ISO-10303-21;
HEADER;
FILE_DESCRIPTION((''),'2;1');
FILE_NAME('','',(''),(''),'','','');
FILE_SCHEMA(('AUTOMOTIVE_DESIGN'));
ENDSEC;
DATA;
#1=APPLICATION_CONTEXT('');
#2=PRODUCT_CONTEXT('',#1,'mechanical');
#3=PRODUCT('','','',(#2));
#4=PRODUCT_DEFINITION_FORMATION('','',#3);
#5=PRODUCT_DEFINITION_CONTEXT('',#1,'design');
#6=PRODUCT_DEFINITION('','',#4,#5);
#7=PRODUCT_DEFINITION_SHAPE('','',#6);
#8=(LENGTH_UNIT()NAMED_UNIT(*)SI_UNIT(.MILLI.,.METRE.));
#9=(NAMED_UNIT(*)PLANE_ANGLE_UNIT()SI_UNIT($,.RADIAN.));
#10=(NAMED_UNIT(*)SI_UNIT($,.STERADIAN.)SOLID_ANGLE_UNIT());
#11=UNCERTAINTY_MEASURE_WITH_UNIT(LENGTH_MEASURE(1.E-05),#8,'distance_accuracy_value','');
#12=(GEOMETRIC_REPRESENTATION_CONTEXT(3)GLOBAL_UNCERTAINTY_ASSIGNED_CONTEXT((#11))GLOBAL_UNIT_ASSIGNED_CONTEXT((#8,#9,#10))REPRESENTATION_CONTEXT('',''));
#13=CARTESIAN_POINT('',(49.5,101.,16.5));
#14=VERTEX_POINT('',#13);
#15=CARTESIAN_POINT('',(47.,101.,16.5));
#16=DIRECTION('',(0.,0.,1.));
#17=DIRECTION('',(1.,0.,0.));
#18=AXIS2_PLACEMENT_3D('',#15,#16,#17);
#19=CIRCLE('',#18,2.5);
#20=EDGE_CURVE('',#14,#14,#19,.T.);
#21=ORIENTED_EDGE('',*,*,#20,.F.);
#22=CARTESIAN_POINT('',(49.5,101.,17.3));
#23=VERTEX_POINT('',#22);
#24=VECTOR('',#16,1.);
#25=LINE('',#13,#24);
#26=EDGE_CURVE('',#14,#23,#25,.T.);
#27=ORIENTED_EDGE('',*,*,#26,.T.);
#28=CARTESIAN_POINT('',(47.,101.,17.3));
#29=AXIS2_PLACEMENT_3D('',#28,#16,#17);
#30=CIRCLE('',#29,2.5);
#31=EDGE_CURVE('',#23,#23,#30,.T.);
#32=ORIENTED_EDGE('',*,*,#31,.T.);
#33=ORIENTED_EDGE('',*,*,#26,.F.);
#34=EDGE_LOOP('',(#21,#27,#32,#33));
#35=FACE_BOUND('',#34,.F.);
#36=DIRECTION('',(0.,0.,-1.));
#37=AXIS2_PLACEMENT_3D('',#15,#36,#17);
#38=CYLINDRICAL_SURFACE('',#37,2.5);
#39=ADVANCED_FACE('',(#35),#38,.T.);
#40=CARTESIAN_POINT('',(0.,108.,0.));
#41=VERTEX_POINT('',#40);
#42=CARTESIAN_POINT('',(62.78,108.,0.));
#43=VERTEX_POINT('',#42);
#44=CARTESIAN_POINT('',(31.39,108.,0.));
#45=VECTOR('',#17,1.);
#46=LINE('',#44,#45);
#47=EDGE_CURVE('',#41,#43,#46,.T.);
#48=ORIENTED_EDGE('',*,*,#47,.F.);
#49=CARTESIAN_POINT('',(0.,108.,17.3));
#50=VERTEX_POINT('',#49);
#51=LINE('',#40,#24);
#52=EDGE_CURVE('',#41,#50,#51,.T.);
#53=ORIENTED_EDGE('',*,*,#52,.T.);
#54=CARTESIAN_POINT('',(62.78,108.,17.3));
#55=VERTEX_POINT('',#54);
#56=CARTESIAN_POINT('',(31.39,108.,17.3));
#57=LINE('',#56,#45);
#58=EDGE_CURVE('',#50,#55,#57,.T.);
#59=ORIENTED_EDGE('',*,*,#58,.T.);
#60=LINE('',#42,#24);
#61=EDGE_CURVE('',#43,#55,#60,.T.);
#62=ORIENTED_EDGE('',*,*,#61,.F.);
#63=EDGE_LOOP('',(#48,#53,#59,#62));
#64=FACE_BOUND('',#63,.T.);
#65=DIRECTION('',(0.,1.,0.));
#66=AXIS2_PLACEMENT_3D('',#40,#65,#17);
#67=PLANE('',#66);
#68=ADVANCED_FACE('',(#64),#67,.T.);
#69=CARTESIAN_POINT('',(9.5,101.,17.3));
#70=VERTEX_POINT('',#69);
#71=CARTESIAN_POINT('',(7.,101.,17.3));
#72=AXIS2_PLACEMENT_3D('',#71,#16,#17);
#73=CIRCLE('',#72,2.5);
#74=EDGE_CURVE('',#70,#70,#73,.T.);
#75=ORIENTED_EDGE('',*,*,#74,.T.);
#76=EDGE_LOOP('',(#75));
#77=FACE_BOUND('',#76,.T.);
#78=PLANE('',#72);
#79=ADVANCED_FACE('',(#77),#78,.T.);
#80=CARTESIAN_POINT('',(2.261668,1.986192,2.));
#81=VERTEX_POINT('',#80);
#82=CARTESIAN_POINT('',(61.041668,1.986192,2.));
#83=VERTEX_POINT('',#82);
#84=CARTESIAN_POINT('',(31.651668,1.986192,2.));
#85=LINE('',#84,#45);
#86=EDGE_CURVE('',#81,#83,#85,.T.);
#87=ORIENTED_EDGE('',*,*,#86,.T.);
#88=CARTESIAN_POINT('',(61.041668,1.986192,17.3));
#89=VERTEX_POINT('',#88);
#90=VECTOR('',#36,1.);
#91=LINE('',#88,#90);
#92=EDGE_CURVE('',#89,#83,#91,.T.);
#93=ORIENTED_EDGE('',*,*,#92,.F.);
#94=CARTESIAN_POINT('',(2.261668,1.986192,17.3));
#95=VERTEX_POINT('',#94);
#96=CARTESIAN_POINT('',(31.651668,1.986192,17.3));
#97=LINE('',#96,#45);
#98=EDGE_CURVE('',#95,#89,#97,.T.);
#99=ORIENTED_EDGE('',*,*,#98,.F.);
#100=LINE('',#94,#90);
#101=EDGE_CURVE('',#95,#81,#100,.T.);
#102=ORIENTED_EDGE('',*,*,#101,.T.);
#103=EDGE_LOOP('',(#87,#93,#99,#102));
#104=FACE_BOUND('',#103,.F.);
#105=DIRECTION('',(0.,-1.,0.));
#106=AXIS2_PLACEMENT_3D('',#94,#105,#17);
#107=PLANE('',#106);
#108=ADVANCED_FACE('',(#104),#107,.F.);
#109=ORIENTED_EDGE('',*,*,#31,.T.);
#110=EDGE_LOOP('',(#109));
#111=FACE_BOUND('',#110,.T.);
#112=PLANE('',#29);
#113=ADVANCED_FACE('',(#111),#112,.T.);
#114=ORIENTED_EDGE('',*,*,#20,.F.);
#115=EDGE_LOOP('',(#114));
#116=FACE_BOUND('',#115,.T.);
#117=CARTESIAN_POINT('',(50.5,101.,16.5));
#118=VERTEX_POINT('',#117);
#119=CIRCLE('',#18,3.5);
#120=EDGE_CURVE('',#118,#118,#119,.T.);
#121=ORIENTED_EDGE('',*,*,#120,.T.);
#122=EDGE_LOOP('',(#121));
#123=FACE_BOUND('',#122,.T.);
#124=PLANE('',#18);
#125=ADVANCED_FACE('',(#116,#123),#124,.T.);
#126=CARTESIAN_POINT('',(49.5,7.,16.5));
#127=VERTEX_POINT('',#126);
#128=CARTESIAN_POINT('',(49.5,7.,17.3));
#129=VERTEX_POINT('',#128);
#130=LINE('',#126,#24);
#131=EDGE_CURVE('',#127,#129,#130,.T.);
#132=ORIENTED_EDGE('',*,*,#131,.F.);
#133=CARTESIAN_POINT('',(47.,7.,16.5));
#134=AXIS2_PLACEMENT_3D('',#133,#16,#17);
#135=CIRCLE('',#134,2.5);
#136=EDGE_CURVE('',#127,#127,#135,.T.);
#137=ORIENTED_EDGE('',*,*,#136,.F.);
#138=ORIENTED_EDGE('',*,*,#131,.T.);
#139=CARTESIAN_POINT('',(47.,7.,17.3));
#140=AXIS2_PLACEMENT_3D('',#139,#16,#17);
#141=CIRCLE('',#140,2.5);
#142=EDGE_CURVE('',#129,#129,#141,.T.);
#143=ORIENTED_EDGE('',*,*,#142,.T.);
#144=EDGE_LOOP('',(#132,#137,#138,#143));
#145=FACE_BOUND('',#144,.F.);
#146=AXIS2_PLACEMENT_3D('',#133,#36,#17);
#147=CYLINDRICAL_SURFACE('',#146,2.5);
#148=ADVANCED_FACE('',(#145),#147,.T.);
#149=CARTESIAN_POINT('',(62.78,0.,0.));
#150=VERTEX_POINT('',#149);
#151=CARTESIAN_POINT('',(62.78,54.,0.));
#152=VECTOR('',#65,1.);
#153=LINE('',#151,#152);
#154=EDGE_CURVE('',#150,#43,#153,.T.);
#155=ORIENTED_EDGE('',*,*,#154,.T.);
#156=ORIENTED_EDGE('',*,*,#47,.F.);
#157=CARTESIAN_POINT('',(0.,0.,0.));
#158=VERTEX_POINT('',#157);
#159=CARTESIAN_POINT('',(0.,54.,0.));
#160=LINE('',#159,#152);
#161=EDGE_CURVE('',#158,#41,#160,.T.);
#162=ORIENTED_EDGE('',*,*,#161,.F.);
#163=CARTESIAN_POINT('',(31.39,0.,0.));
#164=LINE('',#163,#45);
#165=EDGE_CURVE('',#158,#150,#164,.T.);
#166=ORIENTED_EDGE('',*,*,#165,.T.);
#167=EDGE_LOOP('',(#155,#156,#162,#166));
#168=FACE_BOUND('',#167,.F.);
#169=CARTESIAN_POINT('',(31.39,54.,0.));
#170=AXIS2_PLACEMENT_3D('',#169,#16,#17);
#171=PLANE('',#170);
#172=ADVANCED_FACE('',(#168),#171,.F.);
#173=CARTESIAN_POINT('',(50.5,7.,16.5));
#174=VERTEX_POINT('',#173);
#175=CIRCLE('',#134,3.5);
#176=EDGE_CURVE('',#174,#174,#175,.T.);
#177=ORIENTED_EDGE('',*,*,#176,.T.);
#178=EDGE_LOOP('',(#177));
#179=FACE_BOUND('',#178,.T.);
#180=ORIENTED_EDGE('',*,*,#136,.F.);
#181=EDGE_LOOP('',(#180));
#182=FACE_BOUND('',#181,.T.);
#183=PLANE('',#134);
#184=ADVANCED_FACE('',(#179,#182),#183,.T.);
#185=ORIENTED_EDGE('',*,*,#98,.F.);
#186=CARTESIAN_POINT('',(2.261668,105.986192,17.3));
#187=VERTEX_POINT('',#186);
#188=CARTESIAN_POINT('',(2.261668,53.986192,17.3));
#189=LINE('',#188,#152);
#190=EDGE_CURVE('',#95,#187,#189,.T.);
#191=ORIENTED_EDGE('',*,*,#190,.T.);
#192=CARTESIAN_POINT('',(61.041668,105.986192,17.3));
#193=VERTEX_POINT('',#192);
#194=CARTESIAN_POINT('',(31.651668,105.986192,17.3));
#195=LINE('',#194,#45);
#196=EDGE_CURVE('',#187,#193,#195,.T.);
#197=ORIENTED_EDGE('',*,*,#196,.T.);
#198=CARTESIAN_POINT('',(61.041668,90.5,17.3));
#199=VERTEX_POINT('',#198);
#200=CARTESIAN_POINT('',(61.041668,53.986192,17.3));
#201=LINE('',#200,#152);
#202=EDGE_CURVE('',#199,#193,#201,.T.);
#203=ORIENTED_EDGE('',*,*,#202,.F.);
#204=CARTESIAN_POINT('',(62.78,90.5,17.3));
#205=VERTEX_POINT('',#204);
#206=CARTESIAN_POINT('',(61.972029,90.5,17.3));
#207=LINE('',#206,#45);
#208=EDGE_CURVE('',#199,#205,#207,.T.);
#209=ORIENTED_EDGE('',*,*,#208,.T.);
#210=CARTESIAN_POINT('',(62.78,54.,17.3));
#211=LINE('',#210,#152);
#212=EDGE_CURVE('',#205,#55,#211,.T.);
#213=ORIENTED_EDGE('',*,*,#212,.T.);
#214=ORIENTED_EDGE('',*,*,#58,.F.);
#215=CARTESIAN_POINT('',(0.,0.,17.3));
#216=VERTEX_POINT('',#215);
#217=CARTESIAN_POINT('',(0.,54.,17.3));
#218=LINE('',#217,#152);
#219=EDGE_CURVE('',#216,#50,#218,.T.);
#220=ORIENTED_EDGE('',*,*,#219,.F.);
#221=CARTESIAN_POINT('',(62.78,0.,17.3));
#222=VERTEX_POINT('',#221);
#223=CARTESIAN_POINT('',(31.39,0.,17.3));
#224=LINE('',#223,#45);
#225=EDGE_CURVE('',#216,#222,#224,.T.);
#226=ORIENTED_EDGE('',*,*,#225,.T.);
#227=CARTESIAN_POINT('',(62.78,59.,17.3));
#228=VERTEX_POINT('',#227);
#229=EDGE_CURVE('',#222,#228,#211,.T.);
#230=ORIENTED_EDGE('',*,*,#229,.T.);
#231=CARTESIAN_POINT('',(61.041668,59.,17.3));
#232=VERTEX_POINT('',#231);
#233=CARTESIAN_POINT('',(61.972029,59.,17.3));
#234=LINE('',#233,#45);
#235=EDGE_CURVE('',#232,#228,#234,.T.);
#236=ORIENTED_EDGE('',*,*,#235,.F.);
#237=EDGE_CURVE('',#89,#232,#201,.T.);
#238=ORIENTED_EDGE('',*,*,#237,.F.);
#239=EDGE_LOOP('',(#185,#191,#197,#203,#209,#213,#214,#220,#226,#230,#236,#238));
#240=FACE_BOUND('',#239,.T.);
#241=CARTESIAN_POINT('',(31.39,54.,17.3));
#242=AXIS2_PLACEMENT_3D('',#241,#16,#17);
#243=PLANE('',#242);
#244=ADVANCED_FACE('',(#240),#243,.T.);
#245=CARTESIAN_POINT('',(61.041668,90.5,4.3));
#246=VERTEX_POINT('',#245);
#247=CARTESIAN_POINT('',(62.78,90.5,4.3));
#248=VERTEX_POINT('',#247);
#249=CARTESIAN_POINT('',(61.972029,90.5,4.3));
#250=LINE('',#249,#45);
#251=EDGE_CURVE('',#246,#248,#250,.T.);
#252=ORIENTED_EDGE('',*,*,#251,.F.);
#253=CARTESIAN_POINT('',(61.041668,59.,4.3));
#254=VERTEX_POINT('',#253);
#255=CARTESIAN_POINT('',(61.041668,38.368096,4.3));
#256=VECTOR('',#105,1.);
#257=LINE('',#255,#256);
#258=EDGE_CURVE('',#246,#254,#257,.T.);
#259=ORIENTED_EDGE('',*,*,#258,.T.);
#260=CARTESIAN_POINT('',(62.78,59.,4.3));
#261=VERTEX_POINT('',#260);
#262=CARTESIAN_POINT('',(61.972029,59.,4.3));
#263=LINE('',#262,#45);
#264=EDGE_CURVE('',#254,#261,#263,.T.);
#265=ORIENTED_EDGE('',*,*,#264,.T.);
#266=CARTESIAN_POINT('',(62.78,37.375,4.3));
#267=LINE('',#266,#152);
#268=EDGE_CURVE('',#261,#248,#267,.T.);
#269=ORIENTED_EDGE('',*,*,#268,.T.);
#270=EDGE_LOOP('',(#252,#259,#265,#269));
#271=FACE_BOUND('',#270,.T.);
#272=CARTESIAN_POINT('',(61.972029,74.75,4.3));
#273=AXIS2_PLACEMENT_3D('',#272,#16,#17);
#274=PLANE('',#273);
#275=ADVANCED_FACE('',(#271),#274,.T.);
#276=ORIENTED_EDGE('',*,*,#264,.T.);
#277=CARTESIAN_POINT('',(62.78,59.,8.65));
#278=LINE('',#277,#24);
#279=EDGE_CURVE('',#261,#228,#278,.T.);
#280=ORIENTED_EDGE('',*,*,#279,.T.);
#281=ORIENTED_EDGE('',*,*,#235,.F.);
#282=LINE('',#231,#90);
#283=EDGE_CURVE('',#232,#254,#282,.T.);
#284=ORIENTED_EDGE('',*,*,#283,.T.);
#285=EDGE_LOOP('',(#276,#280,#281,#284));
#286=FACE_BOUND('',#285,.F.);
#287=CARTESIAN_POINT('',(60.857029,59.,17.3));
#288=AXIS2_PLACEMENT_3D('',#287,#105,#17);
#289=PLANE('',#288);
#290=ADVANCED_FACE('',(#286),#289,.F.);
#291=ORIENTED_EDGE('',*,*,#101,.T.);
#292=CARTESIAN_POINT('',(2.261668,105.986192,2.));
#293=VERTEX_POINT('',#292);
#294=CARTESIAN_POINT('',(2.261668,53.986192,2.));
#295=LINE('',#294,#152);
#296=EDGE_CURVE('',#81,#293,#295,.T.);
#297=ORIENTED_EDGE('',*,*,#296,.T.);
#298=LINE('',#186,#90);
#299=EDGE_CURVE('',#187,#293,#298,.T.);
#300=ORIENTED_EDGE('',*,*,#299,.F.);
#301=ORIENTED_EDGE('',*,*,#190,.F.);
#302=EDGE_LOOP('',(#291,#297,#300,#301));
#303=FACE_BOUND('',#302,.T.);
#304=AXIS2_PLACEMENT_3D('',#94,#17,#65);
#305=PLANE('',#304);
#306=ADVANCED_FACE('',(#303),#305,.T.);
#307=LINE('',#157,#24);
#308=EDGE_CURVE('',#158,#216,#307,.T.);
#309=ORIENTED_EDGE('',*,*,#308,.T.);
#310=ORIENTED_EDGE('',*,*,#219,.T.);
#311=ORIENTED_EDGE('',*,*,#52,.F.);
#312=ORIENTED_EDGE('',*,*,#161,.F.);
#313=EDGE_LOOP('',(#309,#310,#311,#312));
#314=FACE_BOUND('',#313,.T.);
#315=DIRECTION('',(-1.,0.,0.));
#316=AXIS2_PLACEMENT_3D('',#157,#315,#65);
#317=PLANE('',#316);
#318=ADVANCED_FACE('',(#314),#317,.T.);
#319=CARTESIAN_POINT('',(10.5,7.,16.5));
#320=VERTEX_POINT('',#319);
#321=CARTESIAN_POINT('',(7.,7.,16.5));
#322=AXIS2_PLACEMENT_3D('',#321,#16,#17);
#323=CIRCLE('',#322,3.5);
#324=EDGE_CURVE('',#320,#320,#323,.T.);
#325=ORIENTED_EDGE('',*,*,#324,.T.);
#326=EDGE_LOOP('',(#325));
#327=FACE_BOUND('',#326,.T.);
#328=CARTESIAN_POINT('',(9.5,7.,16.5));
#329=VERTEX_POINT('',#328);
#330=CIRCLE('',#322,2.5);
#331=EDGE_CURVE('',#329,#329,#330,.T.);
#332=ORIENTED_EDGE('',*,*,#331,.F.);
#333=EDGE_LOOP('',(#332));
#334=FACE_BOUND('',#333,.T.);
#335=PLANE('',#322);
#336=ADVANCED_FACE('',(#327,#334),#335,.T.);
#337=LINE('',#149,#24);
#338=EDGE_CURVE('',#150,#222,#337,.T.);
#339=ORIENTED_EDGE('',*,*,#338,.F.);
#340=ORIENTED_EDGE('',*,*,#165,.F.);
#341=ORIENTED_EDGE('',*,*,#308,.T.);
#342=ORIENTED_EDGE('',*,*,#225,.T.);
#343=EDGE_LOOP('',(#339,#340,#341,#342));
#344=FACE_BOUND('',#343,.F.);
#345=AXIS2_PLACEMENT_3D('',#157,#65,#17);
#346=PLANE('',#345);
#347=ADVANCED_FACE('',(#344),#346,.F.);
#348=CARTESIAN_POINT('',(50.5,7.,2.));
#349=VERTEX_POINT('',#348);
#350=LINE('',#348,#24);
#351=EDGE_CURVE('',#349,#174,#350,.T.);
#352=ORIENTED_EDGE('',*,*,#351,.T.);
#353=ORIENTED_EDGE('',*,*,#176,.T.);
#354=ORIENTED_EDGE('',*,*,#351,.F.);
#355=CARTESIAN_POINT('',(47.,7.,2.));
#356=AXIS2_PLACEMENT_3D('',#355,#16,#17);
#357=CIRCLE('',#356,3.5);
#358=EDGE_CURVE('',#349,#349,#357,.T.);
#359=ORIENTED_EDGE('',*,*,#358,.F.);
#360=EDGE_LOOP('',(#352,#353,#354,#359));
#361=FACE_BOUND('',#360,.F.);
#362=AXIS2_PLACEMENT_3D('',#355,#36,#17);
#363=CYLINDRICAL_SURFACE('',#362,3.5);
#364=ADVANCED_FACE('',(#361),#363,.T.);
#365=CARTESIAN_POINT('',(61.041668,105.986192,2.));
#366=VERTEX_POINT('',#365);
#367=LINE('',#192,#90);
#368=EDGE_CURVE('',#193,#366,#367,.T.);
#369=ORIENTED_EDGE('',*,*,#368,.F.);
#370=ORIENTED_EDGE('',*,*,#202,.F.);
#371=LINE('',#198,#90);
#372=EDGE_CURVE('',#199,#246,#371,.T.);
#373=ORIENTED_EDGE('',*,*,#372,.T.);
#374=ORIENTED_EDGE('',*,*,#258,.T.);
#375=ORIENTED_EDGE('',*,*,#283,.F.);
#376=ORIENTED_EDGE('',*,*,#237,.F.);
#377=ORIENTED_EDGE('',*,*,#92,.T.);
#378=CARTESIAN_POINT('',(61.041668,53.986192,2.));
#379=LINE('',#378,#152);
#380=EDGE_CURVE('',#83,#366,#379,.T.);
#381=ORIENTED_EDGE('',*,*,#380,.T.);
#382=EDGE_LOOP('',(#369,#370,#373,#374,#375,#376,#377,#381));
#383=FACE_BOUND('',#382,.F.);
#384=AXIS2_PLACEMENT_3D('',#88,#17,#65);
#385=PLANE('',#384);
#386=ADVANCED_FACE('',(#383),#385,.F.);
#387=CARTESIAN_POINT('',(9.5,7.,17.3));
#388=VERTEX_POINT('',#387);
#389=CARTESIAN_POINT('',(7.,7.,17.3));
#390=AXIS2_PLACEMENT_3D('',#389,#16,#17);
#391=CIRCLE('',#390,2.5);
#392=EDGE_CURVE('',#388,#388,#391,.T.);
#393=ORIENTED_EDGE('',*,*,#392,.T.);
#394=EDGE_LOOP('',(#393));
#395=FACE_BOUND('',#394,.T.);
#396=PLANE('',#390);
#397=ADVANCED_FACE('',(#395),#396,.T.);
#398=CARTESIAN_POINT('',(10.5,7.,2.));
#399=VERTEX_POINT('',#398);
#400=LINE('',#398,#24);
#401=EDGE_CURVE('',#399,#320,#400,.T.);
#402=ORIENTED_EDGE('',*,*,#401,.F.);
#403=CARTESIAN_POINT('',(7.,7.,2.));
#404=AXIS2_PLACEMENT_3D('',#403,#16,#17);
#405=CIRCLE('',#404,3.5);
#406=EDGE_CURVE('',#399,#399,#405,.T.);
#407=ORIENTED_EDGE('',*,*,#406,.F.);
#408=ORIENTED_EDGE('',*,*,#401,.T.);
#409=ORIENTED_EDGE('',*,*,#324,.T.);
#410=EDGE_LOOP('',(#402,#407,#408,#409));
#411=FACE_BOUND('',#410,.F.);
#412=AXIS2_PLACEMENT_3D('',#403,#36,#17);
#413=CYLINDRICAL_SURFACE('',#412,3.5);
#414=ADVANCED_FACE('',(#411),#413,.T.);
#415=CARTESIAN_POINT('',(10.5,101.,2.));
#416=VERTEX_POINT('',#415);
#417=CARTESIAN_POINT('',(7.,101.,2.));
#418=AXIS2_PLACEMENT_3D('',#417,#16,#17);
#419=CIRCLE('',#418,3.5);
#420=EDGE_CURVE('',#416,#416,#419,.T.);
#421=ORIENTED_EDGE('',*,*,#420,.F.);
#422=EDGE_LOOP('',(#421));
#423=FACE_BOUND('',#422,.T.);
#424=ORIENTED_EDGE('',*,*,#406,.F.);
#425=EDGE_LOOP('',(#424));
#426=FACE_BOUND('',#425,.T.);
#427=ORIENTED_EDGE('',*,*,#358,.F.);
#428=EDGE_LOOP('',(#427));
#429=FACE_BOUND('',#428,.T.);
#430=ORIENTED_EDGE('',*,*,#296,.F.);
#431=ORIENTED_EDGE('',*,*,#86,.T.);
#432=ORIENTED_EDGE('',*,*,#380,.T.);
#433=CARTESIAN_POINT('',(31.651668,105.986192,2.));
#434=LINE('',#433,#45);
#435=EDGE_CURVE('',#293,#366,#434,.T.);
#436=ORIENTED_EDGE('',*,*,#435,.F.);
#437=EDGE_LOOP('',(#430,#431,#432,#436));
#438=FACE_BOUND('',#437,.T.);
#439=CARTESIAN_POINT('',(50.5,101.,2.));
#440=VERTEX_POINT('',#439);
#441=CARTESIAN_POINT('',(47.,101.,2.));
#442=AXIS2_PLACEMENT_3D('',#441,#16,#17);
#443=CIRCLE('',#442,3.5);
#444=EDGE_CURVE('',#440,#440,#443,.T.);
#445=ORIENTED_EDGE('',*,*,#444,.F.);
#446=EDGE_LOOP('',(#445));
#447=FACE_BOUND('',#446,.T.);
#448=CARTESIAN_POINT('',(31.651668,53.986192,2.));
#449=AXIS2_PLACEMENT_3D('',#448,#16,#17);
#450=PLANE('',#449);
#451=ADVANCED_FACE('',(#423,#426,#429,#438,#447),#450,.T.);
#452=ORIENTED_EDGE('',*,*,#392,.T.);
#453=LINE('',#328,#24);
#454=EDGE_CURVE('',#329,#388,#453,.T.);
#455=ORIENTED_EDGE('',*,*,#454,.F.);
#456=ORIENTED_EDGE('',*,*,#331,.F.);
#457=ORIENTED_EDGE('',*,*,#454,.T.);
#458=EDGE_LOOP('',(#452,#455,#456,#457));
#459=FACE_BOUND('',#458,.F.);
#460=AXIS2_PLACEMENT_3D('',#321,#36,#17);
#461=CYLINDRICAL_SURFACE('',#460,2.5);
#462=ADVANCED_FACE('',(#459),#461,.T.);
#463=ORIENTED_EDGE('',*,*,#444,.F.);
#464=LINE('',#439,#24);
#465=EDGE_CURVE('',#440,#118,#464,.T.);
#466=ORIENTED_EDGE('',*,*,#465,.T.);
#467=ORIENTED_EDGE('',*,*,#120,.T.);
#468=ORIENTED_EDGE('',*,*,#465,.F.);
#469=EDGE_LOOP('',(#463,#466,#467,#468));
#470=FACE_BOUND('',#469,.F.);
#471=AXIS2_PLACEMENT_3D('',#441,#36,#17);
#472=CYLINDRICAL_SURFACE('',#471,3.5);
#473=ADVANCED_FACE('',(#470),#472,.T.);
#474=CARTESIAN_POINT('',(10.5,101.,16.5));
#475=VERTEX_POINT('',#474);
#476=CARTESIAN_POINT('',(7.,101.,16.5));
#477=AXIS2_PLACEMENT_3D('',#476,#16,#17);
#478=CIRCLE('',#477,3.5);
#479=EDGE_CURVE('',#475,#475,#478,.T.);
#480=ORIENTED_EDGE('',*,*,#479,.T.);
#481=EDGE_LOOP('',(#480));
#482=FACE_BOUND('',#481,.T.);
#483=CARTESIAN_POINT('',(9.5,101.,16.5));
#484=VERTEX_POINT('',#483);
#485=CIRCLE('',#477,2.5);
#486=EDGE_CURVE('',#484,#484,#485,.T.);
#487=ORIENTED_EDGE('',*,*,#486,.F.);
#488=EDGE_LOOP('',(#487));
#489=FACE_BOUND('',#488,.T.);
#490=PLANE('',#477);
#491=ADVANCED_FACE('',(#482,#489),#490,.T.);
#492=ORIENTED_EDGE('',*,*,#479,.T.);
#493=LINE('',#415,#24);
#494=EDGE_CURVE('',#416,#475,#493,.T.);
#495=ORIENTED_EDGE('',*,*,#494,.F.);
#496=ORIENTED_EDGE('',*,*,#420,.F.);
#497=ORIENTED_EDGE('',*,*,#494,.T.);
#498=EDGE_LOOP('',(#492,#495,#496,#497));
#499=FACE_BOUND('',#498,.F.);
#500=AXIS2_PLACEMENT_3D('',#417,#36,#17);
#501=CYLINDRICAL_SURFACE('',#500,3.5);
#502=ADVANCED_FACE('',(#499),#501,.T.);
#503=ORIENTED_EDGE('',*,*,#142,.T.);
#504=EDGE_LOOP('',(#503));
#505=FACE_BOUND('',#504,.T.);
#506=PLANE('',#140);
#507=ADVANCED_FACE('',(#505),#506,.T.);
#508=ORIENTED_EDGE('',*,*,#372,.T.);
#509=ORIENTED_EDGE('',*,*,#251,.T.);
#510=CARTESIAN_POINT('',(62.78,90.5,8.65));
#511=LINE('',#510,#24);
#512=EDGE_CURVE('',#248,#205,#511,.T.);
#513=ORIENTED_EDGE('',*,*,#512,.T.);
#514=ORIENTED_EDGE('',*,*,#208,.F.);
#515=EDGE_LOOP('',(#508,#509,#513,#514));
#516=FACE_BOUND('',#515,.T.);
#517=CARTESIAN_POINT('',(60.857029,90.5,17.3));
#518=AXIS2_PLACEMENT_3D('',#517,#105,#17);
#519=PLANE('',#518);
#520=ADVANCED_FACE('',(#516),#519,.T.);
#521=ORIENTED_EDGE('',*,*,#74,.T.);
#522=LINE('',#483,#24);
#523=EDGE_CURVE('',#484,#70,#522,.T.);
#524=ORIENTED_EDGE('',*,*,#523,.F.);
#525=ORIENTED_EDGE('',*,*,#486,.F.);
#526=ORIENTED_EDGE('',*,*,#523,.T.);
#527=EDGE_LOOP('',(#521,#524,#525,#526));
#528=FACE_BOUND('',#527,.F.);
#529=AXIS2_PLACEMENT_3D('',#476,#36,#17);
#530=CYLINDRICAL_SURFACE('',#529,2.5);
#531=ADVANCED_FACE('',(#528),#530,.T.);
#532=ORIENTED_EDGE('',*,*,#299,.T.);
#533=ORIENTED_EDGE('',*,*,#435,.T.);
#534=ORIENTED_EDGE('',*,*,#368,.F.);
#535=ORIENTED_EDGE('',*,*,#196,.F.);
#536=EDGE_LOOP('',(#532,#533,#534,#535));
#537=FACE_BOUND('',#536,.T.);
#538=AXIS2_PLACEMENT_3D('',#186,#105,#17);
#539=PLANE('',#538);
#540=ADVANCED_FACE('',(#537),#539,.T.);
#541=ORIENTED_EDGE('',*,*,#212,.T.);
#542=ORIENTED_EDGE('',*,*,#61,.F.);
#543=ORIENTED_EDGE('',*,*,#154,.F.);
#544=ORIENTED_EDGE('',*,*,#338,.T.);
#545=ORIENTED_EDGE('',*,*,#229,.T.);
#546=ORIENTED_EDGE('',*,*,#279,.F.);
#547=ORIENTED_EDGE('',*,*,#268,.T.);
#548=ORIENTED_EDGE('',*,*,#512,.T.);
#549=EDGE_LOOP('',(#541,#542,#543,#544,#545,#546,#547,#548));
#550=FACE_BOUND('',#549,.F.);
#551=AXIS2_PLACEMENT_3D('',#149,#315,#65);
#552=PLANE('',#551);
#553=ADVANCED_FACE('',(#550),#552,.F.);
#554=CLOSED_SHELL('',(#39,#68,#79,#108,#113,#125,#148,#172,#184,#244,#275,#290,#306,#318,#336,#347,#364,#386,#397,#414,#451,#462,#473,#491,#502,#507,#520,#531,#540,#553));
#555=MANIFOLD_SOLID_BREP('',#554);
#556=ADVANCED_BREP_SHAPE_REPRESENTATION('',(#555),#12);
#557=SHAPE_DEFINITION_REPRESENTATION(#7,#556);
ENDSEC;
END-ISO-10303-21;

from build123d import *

# Parameters (mm, degrees)
BOX_W           = 62.78
BOX_H           = 108
BOX_DEPTH       = 17.3
SKETCH_W        = 58.78
SKETCH_H        = 104
POCKET_DEPTH    = 15.3
SKETCH001_W     = 2.23
SKETCH001_H     = 31.5
POCKET001_DEPTH = 13
SKETCH002_R     = 3.5
PAD_DEPTH       = 14.5
SKETCH003_R     = 2.5
PAD001_DEPTH    = 0.8


with BuildPart() as part:
    # Box → Box (new body)
    with BuildSketch(Plane.XY):
        with Locations((31.39, 54)):
            Rectangle(BOX_W, BOX_H)
    extrude(amount=BOX_DEPTH)

    # Sketch (on Face6 of Box) → Pocket (cut)
    with BuildSketch(Plane.XY.offset(17.3)):
        with Locations((31.651668, 53.986192)):
            Rectangle(SKETCH_W, SKETCH_H)
    extrude(amount=-POCKET_DEPTH, mode=Mode.SUBTRACT)

    # Sketch001 (on Face3 of Pocket) → Pocket001 (cut)
    with BuildSketch(Plane.XY.offset(17.3)):
        with Locations((61.972029, 74.75)):
            Rectangle(SKETCH001_W, SKETCH001_H)
    extrude(amount=-POCKET001_DEPTH, mode=Mode.SUBTRACT)

    # Sketch002 (on Face14 of Pocket001) → Pad (join)
    with BuildSketch(Plane.XY.offset(2)):
        with Locations((7, 101)):
            Circle(SKETCH002_R)
        with Locations((47, 101)):
            Circle(SKETCH002_R)
        with Locations((7, 7)):
            Circle(SKETCH002_R)
        with Locations((47, 7)):
            Circle(SKETCH002_R)
    extrude(amount=PAD_DEPTH)

    # Sketch003 (on Face20 of Pad) → Pad001 (join)
    with BuildSketch(Plane.XY.offset(16.5)):
        with Locations((7, 7)):
            Circle(SKETCH003_R)
        with Locations((47, 7)):
            Circle(SKETCH003_R)
        with Locations((7, 101)):
            Circle(SKETCH003_R)
        with Locations((47, 101)):
            Circle(SKETCH003_R)
    extrude(amount=PAD001_DEPTH)


solid = part.part
